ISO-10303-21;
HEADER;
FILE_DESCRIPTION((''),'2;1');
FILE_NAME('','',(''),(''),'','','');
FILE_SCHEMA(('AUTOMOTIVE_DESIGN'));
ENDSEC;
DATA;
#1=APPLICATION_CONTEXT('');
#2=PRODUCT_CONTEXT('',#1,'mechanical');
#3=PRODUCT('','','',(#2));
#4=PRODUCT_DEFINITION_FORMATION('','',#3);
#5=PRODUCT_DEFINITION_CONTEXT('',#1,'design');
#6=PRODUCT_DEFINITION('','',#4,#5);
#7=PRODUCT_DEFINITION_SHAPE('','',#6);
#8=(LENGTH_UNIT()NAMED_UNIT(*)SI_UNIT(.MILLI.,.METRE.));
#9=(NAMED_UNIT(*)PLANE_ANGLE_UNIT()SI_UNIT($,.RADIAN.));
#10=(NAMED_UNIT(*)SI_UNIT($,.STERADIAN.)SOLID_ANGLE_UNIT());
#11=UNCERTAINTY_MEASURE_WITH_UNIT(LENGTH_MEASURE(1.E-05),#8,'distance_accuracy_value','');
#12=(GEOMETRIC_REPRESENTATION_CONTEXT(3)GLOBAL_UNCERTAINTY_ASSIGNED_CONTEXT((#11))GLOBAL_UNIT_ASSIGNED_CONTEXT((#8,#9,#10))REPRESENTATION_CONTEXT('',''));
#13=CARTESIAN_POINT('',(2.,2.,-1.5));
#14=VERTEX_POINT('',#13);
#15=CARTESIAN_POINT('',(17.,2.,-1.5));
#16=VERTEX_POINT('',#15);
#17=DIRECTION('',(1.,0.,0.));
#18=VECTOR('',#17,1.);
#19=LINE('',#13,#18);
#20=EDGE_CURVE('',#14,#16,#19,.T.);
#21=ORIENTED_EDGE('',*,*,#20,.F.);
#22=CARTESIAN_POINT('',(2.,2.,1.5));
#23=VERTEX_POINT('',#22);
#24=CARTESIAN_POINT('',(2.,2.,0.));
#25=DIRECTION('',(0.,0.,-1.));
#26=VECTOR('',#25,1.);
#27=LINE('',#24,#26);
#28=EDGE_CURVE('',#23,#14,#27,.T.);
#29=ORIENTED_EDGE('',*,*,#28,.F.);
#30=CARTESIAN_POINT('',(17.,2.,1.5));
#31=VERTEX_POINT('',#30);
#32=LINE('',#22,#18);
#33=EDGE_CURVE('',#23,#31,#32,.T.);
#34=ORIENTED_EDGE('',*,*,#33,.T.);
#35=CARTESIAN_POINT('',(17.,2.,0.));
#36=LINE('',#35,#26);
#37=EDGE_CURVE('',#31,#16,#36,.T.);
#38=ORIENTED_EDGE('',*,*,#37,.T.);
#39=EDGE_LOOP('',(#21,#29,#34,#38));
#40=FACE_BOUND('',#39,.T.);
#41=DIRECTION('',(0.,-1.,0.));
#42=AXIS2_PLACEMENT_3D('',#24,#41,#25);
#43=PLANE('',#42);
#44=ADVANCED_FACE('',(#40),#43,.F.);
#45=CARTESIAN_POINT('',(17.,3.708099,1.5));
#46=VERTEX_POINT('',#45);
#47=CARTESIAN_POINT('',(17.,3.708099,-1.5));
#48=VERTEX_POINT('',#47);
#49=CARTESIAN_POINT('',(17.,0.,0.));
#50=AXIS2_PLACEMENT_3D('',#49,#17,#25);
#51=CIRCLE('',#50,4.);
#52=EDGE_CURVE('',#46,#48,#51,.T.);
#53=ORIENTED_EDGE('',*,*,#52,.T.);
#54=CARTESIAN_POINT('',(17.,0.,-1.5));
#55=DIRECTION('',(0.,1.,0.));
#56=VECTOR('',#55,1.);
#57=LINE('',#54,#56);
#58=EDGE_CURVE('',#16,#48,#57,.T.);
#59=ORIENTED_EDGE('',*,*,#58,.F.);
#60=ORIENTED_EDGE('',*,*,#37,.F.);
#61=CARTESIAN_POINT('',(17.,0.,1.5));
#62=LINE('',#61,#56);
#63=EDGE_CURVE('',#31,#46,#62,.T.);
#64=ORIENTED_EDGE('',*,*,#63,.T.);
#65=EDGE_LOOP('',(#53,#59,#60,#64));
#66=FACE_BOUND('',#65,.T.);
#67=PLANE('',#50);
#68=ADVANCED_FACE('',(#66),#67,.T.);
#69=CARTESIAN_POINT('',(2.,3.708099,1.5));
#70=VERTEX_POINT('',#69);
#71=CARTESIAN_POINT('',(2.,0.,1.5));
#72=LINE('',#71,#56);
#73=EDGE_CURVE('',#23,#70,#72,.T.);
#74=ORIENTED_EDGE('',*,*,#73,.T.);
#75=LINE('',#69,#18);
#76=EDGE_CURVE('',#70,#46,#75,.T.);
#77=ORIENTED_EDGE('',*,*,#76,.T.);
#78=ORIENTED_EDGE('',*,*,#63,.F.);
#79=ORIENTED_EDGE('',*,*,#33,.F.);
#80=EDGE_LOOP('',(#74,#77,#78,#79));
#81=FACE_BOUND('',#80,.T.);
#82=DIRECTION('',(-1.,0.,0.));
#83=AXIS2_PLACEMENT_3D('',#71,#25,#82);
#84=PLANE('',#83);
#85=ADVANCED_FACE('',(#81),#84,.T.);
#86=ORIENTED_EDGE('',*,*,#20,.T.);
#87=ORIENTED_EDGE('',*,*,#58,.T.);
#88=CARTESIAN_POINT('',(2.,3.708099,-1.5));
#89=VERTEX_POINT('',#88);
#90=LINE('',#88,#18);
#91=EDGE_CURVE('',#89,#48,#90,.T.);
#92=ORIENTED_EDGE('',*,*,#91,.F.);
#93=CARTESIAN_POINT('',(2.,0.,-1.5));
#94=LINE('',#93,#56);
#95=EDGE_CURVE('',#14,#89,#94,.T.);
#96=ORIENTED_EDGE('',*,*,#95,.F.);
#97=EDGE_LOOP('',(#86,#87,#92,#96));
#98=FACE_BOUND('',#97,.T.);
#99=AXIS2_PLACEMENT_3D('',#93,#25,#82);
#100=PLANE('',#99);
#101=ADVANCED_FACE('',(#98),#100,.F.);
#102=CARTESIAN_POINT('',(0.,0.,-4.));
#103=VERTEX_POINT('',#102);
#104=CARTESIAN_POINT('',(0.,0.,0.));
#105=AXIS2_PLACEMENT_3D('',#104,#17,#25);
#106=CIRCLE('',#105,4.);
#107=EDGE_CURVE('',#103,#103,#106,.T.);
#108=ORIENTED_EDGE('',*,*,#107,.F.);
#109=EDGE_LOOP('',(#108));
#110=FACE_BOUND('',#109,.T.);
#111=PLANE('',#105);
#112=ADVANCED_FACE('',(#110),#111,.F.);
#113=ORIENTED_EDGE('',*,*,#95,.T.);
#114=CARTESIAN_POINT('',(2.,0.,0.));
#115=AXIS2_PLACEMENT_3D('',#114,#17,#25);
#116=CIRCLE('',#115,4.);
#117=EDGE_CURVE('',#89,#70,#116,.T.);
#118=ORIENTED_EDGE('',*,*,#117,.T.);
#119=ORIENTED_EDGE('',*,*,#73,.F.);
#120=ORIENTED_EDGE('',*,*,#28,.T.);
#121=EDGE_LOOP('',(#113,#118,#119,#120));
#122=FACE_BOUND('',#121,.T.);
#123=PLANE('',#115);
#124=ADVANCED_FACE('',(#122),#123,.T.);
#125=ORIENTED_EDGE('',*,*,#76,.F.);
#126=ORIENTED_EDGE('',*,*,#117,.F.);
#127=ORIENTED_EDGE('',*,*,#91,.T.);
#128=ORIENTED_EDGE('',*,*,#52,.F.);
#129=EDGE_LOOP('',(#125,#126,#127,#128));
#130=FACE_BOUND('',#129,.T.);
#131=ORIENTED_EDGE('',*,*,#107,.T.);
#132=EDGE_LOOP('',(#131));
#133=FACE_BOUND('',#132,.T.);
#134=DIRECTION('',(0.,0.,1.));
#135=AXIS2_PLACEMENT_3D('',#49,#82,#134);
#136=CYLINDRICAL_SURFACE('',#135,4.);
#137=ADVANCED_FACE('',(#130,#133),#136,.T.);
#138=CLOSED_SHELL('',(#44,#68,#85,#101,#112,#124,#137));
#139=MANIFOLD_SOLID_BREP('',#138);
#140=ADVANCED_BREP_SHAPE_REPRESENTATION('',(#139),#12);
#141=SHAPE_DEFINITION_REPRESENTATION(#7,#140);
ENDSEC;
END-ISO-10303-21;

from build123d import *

# Parameters (mm, degrees)
SKETCH_1_R          = 4
EXTRUDE_1_DEPTH     = 17
CUT_EXTRUDE_1_DEPTH = 15


with BuildPart() as part:
    # 草图1 → 凸台-拉伸1 (new body)
    with BuildSketch(Plane(origin=(0, 0, 0), x_dir=(0, 0, -1), z_dir=(1, 0, 0))):
        Circle(SKETCH_1_R)
    extrude(amount=EXTRUDE_1_DEPTH)

    # 草图2 → 切除-拉伸1 (cut)
    with BuildSketch(Plane(origin=(17, 0, 0), x_dir=(0, 0, -1), z_dir=(1, 0, 0))):
        Polygon((-1.5, 32.646398423), (-1.5, 3.708099244), (-1.5, 2), (1.5, 2), (1.5, 3.708099244), (1.5, 32.646398423), (1.5, 90.522996781), (-1.5, 90.522996781), align=None)
    extrude(amount=-CUT_EXTRUDE_1_DEPTH, mode=Mode.SUBTRACT)


solid = part.part
